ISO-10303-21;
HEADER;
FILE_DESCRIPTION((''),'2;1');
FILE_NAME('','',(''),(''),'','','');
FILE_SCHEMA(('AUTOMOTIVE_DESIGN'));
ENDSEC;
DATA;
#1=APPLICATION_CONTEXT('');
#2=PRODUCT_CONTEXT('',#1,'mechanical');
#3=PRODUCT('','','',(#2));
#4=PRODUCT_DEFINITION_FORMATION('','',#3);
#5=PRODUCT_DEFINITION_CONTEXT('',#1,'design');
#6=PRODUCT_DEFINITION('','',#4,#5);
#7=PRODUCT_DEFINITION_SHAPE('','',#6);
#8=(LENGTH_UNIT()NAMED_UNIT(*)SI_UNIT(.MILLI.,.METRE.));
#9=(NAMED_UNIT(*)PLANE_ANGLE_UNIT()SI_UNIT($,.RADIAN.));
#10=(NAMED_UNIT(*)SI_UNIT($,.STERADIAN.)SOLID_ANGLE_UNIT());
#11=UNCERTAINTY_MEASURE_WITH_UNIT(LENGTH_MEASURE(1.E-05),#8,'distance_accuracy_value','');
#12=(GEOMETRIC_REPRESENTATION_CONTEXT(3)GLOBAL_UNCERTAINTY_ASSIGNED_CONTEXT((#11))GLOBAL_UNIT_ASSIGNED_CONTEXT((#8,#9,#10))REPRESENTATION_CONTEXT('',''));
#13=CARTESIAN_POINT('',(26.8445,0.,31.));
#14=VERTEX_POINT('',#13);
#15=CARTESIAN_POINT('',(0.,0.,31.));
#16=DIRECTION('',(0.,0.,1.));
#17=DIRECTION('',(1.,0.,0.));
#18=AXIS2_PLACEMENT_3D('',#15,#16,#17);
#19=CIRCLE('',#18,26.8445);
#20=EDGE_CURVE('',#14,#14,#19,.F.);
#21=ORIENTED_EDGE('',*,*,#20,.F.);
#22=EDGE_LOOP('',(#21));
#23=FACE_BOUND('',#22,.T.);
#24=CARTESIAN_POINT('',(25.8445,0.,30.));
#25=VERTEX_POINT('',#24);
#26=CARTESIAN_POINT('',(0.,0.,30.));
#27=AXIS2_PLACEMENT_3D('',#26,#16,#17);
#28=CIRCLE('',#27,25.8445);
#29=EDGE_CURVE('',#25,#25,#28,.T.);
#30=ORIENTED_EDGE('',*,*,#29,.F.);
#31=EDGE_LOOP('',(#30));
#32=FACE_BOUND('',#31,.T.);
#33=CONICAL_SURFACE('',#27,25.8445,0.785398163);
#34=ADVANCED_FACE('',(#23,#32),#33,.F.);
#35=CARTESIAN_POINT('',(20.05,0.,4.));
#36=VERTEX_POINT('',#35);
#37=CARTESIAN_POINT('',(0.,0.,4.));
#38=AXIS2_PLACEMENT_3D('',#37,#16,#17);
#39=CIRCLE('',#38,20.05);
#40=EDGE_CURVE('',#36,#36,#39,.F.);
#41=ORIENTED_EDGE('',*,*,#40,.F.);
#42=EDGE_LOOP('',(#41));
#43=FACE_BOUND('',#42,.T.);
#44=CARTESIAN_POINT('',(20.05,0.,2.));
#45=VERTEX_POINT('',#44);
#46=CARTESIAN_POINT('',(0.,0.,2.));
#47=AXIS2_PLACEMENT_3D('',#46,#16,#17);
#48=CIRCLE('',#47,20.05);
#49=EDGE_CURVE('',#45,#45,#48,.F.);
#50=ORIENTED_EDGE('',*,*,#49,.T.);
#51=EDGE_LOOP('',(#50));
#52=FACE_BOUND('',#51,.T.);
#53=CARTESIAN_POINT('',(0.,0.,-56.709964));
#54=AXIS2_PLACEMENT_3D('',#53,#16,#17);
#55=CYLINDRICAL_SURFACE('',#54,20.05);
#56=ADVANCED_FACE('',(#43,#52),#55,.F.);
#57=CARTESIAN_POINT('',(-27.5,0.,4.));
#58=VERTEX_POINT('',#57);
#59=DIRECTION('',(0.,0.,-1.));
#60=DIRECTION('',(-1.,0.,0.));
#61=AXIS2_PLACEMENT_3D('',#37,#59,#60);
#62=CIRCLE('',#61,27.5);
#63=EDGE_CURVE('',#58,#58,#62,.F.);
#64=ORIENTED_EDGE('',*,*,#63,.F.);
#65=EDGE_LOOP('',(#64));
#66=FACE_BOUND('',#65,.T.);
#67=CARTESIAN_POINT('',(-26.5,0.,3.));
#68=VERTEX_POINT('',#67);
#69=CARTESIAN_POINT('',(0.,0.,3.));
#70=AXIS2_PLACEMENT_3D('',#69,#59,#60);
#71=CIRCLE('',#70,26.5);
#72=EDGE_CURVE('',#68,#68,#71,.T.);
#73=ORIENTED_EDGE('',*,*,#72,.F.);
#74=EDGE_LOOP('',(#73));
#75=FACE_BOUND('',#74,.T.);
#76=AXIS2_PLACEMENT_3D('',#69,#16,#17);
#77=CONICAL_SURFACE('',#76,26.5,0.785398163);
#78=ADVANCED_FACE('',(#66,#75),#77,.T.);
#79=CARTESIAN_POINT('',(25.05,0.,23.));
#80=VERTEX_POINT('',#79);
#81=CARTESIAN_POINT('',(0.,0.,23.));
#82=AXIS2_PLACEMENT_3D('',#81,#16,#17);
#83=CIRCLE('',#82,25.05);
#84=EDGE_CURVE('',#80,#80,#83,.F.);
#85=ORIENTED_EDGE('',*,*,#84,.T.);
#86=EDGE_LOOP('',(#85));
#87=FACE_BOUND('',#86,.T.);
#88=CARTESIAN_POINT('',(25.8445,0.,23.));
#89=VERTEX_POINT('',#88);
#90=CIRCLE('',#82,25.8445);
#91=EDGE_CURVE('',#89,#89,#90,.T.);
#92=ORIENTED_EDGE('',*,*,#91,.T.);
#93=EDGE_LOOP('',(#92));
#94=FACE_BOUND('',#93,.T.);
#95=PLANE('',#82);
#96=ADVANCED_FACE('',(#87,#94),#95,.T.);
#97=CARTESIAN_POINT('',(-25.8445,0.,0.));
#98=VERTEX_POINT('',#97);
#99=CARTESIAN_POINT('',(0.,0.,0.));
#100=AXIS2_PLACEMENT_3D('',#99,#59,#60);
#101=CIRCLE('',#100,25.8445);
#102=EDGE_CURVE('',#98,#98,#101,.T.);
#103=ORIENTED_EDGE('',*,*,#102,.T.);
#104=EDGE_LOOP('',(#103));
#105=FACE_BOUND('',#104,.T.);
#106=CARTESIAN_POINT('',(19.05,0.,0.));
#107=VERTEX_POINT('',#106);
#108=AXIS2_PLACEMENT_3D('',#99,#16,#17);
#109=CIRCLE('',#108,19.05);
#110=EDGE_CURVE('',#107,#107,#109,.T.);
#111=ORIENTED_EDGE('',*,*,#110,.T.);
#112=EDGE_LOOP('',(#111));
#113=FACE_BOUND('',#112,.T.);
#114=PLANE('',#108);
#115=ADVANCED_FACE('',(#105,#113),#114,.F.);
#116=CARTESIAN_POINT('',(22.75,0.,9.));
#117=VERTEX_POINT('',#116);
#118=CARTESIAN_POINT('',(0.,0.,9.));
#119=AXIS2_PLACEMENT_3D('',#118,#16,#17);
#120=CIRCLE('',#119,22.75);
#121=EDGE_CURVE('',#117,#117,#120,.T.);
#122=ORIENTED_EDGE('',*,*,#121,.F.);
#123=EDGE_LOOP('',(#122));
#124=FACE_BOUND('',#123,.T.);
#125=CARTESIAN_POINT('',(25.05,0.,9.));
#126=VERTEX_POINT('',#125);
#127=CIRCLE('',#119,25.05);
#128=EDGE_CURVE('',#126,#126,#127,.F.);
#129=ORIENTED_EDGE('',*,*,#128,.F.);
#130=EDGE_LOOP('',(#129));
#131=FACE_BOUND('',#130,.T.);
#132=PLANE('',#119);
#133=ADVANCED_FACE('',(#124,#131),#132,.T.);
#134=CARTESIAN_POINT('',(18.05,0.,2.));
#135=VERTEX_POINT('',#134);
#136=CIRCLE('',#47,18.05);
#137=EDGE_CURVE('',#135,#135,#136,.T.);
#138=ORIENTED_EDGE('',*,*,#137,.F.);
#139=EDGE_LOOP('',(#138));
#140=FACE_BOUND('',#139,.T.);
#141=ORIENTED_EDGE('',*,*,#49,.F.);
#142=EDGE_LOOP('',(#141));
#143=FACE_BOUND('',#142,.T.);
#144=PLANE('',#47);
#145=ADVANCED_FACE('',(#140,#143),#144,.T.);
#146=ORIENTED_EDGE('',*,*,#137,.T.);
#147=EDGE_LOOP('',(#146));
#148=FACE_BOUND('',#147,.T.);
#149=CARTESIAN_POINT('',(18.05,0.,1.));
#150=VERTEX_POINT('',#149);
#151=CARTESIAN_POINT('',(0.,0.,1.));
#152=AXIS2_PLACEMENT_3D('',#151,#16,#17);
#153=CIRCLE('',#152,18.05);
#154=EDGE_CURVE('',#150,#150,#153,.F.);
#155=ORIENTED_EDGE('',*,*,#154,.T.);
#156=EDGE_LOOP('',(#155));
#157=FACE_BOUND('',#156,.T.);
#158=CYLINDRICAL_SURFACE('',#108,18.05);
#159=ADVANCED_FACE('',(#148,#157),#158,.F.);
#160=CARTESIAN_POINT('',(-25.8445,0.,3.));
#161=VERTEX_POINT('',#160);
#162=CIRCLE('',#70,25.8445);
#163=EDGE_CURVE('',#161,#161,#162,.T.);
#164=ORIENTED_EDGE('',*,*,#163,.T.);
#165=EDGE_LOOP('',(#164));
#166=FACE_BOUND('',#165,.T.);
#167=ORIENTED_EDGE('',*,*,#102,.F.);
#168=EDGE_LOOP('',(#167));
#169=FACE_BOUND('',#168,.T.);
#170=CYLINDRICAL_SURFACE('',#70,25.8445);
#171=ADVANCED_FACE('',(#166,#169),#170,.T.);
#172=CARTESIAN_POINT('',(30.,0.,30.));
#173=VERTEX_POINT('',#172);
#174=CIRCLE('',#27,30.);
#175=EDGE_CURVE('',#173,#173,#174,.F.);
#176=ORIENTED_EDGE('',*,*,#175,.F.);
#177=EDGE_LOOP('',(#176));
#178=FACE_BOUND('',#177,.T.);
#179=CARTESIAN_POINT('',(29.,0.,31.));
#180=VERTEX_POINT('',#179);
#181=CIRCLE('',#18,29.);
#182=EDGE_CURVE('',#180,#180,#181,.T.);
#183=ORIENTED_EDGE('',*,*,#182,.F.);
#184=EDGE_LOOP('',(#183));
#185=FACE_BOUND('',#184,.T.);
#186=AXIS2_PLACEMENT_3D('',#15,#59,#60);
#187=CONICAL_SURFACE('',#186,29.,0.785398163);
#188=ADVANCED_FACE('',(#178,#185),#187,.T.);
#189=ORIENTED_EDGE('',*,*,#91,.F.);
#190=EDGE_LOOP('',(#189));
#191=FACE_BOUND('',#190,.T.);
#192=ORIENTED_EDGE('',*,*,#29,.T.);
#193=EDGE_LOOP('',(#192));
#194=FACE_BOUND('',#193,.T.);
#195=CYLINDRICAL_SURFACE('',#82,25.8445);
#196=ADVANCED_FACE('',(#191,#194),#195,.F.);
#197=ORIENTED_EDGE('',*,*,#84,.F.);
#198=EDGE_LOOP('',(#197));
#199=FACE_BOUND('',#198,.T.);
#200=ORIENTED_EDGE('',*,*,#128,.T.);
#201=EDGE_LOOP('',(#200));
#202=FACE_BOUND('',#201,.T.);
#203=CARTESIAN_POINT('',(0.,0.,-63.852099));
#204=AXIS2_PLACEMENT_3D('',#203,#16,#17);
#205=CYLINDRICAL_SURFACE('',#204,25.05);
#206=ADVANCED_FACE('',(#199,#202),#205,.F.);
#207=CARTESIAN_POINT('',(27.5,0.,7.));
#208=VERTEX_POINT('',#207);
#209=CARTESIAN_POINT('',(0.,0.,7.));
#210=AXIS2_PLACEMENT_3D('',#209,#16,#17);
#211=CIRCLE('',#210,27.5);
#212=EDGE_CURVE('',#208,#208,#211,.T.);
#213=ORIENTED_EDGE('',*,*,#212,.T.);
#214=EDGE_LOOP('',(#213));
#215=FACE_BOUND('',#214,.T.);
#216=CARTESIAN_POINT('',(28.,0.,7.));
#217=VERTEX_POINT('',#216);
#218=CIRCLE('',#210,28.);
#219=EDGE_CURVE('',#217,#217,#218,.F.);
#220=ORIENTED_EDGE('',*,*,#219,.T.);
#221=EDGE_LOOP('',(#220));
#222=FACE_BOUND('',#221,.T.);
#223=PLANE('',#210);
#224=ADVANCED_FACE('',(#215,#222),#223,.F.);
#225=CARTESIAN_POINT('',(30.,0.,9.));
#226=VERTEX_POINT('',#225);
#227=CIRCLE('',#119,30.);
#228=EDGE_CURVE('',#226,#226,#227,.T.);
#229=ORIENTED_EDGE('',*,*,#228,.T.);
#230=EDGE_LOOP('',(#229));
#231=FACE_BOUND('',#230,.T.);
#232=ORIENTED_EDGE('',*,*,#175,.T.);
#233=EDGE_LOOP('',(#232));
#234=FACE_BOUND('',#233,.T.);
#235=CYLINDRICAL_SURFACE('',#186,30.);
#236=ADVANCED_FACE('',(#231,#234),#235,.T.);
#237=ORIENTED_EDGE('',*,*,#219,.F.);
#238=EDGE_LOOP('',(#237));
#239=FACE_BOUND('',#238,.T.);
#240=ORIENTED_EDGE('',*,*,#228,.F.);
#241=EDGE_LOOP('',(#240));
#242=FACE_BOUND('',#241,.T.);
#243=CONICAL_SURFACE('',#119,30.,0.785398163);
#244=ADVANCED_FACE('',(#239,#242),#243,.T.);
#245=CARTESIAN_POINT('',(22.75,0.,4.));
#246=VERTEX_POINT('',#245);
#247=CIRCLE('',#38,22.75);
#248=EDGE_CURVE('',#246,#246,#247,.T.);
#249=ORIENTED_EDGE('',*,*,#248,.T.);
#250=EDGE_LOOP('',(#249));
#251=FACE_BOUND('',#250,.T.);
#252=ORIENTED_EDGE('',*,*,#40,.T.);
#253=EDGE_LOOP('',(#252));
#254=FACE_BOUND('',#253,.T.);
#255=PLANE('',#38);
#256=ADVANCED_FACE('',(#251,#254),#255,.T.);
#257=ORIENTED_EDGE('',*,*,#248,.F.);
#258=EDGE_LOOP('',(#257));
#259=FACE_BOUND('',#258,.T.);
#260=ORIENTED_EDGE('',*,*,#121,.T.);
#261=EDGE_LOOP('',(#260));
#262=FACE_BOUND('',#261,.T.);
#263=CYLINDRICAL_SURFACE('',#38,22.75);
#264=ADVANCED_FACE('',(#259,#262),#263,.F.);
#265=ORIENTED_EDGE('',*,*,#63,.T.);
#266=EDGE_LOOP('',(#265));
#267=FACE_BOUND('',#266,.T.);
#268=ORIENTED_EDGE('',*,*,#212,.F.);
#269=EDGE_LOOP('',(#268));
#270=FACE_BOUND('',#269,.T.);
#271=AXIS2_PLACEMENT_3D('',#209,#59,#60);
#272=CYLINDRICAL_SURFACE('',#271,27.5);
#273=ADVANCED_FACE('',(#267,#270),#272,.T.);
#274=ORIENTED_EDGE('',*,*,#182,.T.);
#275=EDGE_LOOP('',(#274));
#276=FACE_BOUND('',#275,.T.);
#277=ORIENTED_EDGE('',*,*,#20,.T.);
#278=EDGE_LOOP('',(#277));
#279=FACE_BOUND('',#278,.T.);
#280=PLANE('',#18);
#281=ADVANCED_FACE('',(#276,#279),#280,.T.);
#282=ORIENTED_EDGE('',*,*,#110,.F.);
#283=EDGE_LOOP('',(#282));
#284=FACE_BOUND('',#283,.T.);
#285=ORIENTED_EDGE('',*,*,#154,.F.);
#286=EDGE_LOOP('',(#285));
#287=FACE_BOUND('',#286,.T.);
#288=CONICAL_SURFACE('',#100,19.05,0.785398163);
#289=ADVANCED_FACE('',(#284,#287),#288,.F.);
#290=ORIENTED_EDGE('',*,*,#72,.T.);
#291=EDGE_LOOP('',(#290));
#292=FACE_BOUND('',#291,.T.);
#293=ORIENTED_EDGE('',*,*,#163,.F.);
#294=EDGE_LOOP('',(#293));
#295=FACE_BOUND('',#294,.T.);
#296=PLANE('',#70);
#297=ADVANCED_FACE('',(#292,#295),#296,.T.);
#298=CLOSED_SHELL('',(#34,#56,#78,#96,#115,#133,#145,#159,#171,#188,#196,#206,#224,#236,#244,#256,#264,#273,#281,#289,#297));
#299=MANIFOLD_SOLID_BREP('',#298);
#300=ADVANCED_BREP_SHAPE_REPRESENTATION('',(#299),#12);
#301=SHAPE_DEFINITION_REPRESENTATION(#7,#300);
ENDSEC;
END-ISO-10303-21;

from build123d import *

# Parameters (mm, degrees)
SKETCH1_R           = 27.5
BOSS_EXTRUDE1_DEPTH = 7
SKETCH4_R           = 20.05
CUT_EXTRUDE1_DEPTH  = 5
SKETCH5_R           = 18.05
CUT_EXTRUDE2_DEPTH  = 40.210967853
BOSS_EXTRUDE2_START = 24
SKETCH6_R           = 30
SKETCH6_R_2         = 20.05
BOSS_EXTRUDE2_DEPTH = 24
SKETCH7_R           = 25.05
CUT_EXTRUDE3_DEPTH  = 22
SKETCH8_R           = 22.75
CUT_EXTRUDE4_DEPTH  = 5
SKETCH9_R           = 25.8445
CUT_EXTRUDE5_DEPTH  = 8
SKETCH10_OUTSIDE_W  = 80.068
SKETCH10_OUTSIDE_H  = 80.068
SKETCH10_OUTSIDE_R  = 25.8445
CUT_EXTRUDE6_DEPTH  = 3
CHAMFER3_SIZE       = 2
CHAMFER4_SIZE       = 1
CHAMFER5_SIZE       = 1


with BuildPart() as part:
    # Sketch1 → Boss-Extrude1 (new body)
    with BuildSketch(Plane.XY):
        Circle(SKETCH1_R)
    extrude(amount=BOSS_EXTRUDE1_DEPTH)

    # Sketch4 → Cut-Extrude1 (cut)
    with BuildSketch(Plane.XY.offset(7)):
        Circle(SKETCH4_R)
    extrude(amount=-CUT_EXTRUDE1_DEPTH, mode=Mode.SUBTRACT)

    # Sketch5 → Cut-Extrude2 (cut, through all)
    with BuildSketch(Plane.XY.offset(2)):
        Circle(SKETCH5_R)
    extrude(amount=-CUT_EXTRUDE2_DEPTH, mode=Mode.SUBTRACT)

    # Sketch6 → Boss-Extrude2 (add)
    with BuildSketch(Plane.XY.offset(7).offset(BOSS_EXTRUDE2_START)):
        Circle(SKETCH6_R)
        Circle(SKETCH6_R_2, mode=Mode.SUBTRACT)
    extrude(amount=-BOSS_EXTRUDE2_DEPTH)

    # Sketch7 → Cut-Extrude3 (cut)
    with BuildSketch(Plane.XY.offset(31)):
        Circle(SKETCH7_R)
    extrude(amount=-CUT_EXTRUDE3_DEPTH, mode=Mode.SUBTRACT)

    # Sketch8 → Cut-Extrude4 (cut)
    with BuildSketch(Plane.XY.offset(9)):
        Circle(SKETCH8_R)
    extrude(amount=-CUT_EXTRUDE4_DEPTH, mode=Mode.SUBTRACT)

    # Sketch9 → Cut-Extrude5 (cut)
    with BuildSketch(Plane.XY.offset(31)):
        Circle(SKETCH9_R)
    extrude(amount=-CUT_EXTRUDE5_DEPTH, mode=Mode.SUBTRACT)

    # Sketch10 outside → Cut-Extrude6 (cut)
    with BuildSketch(Plane(origin=(0, 0, 0), x_dir=(-1, 0, 0), z_dir=(0, 0, -1))):
        Rectangle(SKETCH10_OUTSIDE_W, SKETCH10_OUTSIDE_H)
        with Locations(Location((0, 0, 0), (0, 0, 180))):
            Circle(SKETCH10_OUTSIDE_R, mode=Mode.SUBTRACT)
    extrude(amount=-CUT_EXTRUDE6_DEPTH, mode=Mode.SUBTRACT)

    # Chamfer3
    chamfer3_edges = [part.edges().sort_by_distance(p)[0] for p in [
        (-30, 0, 7),
    ]]
    chamfer(chamfer3_edges, length=CHAMFER3_SIZE)

    # Chamfer4
    chamfer4_edges = [part.edges().sort_by_distance(p)[0] for p in [
        (-27.5, 0, 3),
    ]]
    chamfer(chamfer4_edges, length=CHAMFER4_SIZE)

    # Chamfer5
    chamfer5_edges = [part.edges().sort_by_distance(p)[0] for p in [
        (-18.05, 0, 0),
        (-30, 0, 31),
        (-25.8445, 0, 31),
    ]]
    chamfer(chamfer5_edges, length=CHAMFER5_SIZE)


solid = part.part
